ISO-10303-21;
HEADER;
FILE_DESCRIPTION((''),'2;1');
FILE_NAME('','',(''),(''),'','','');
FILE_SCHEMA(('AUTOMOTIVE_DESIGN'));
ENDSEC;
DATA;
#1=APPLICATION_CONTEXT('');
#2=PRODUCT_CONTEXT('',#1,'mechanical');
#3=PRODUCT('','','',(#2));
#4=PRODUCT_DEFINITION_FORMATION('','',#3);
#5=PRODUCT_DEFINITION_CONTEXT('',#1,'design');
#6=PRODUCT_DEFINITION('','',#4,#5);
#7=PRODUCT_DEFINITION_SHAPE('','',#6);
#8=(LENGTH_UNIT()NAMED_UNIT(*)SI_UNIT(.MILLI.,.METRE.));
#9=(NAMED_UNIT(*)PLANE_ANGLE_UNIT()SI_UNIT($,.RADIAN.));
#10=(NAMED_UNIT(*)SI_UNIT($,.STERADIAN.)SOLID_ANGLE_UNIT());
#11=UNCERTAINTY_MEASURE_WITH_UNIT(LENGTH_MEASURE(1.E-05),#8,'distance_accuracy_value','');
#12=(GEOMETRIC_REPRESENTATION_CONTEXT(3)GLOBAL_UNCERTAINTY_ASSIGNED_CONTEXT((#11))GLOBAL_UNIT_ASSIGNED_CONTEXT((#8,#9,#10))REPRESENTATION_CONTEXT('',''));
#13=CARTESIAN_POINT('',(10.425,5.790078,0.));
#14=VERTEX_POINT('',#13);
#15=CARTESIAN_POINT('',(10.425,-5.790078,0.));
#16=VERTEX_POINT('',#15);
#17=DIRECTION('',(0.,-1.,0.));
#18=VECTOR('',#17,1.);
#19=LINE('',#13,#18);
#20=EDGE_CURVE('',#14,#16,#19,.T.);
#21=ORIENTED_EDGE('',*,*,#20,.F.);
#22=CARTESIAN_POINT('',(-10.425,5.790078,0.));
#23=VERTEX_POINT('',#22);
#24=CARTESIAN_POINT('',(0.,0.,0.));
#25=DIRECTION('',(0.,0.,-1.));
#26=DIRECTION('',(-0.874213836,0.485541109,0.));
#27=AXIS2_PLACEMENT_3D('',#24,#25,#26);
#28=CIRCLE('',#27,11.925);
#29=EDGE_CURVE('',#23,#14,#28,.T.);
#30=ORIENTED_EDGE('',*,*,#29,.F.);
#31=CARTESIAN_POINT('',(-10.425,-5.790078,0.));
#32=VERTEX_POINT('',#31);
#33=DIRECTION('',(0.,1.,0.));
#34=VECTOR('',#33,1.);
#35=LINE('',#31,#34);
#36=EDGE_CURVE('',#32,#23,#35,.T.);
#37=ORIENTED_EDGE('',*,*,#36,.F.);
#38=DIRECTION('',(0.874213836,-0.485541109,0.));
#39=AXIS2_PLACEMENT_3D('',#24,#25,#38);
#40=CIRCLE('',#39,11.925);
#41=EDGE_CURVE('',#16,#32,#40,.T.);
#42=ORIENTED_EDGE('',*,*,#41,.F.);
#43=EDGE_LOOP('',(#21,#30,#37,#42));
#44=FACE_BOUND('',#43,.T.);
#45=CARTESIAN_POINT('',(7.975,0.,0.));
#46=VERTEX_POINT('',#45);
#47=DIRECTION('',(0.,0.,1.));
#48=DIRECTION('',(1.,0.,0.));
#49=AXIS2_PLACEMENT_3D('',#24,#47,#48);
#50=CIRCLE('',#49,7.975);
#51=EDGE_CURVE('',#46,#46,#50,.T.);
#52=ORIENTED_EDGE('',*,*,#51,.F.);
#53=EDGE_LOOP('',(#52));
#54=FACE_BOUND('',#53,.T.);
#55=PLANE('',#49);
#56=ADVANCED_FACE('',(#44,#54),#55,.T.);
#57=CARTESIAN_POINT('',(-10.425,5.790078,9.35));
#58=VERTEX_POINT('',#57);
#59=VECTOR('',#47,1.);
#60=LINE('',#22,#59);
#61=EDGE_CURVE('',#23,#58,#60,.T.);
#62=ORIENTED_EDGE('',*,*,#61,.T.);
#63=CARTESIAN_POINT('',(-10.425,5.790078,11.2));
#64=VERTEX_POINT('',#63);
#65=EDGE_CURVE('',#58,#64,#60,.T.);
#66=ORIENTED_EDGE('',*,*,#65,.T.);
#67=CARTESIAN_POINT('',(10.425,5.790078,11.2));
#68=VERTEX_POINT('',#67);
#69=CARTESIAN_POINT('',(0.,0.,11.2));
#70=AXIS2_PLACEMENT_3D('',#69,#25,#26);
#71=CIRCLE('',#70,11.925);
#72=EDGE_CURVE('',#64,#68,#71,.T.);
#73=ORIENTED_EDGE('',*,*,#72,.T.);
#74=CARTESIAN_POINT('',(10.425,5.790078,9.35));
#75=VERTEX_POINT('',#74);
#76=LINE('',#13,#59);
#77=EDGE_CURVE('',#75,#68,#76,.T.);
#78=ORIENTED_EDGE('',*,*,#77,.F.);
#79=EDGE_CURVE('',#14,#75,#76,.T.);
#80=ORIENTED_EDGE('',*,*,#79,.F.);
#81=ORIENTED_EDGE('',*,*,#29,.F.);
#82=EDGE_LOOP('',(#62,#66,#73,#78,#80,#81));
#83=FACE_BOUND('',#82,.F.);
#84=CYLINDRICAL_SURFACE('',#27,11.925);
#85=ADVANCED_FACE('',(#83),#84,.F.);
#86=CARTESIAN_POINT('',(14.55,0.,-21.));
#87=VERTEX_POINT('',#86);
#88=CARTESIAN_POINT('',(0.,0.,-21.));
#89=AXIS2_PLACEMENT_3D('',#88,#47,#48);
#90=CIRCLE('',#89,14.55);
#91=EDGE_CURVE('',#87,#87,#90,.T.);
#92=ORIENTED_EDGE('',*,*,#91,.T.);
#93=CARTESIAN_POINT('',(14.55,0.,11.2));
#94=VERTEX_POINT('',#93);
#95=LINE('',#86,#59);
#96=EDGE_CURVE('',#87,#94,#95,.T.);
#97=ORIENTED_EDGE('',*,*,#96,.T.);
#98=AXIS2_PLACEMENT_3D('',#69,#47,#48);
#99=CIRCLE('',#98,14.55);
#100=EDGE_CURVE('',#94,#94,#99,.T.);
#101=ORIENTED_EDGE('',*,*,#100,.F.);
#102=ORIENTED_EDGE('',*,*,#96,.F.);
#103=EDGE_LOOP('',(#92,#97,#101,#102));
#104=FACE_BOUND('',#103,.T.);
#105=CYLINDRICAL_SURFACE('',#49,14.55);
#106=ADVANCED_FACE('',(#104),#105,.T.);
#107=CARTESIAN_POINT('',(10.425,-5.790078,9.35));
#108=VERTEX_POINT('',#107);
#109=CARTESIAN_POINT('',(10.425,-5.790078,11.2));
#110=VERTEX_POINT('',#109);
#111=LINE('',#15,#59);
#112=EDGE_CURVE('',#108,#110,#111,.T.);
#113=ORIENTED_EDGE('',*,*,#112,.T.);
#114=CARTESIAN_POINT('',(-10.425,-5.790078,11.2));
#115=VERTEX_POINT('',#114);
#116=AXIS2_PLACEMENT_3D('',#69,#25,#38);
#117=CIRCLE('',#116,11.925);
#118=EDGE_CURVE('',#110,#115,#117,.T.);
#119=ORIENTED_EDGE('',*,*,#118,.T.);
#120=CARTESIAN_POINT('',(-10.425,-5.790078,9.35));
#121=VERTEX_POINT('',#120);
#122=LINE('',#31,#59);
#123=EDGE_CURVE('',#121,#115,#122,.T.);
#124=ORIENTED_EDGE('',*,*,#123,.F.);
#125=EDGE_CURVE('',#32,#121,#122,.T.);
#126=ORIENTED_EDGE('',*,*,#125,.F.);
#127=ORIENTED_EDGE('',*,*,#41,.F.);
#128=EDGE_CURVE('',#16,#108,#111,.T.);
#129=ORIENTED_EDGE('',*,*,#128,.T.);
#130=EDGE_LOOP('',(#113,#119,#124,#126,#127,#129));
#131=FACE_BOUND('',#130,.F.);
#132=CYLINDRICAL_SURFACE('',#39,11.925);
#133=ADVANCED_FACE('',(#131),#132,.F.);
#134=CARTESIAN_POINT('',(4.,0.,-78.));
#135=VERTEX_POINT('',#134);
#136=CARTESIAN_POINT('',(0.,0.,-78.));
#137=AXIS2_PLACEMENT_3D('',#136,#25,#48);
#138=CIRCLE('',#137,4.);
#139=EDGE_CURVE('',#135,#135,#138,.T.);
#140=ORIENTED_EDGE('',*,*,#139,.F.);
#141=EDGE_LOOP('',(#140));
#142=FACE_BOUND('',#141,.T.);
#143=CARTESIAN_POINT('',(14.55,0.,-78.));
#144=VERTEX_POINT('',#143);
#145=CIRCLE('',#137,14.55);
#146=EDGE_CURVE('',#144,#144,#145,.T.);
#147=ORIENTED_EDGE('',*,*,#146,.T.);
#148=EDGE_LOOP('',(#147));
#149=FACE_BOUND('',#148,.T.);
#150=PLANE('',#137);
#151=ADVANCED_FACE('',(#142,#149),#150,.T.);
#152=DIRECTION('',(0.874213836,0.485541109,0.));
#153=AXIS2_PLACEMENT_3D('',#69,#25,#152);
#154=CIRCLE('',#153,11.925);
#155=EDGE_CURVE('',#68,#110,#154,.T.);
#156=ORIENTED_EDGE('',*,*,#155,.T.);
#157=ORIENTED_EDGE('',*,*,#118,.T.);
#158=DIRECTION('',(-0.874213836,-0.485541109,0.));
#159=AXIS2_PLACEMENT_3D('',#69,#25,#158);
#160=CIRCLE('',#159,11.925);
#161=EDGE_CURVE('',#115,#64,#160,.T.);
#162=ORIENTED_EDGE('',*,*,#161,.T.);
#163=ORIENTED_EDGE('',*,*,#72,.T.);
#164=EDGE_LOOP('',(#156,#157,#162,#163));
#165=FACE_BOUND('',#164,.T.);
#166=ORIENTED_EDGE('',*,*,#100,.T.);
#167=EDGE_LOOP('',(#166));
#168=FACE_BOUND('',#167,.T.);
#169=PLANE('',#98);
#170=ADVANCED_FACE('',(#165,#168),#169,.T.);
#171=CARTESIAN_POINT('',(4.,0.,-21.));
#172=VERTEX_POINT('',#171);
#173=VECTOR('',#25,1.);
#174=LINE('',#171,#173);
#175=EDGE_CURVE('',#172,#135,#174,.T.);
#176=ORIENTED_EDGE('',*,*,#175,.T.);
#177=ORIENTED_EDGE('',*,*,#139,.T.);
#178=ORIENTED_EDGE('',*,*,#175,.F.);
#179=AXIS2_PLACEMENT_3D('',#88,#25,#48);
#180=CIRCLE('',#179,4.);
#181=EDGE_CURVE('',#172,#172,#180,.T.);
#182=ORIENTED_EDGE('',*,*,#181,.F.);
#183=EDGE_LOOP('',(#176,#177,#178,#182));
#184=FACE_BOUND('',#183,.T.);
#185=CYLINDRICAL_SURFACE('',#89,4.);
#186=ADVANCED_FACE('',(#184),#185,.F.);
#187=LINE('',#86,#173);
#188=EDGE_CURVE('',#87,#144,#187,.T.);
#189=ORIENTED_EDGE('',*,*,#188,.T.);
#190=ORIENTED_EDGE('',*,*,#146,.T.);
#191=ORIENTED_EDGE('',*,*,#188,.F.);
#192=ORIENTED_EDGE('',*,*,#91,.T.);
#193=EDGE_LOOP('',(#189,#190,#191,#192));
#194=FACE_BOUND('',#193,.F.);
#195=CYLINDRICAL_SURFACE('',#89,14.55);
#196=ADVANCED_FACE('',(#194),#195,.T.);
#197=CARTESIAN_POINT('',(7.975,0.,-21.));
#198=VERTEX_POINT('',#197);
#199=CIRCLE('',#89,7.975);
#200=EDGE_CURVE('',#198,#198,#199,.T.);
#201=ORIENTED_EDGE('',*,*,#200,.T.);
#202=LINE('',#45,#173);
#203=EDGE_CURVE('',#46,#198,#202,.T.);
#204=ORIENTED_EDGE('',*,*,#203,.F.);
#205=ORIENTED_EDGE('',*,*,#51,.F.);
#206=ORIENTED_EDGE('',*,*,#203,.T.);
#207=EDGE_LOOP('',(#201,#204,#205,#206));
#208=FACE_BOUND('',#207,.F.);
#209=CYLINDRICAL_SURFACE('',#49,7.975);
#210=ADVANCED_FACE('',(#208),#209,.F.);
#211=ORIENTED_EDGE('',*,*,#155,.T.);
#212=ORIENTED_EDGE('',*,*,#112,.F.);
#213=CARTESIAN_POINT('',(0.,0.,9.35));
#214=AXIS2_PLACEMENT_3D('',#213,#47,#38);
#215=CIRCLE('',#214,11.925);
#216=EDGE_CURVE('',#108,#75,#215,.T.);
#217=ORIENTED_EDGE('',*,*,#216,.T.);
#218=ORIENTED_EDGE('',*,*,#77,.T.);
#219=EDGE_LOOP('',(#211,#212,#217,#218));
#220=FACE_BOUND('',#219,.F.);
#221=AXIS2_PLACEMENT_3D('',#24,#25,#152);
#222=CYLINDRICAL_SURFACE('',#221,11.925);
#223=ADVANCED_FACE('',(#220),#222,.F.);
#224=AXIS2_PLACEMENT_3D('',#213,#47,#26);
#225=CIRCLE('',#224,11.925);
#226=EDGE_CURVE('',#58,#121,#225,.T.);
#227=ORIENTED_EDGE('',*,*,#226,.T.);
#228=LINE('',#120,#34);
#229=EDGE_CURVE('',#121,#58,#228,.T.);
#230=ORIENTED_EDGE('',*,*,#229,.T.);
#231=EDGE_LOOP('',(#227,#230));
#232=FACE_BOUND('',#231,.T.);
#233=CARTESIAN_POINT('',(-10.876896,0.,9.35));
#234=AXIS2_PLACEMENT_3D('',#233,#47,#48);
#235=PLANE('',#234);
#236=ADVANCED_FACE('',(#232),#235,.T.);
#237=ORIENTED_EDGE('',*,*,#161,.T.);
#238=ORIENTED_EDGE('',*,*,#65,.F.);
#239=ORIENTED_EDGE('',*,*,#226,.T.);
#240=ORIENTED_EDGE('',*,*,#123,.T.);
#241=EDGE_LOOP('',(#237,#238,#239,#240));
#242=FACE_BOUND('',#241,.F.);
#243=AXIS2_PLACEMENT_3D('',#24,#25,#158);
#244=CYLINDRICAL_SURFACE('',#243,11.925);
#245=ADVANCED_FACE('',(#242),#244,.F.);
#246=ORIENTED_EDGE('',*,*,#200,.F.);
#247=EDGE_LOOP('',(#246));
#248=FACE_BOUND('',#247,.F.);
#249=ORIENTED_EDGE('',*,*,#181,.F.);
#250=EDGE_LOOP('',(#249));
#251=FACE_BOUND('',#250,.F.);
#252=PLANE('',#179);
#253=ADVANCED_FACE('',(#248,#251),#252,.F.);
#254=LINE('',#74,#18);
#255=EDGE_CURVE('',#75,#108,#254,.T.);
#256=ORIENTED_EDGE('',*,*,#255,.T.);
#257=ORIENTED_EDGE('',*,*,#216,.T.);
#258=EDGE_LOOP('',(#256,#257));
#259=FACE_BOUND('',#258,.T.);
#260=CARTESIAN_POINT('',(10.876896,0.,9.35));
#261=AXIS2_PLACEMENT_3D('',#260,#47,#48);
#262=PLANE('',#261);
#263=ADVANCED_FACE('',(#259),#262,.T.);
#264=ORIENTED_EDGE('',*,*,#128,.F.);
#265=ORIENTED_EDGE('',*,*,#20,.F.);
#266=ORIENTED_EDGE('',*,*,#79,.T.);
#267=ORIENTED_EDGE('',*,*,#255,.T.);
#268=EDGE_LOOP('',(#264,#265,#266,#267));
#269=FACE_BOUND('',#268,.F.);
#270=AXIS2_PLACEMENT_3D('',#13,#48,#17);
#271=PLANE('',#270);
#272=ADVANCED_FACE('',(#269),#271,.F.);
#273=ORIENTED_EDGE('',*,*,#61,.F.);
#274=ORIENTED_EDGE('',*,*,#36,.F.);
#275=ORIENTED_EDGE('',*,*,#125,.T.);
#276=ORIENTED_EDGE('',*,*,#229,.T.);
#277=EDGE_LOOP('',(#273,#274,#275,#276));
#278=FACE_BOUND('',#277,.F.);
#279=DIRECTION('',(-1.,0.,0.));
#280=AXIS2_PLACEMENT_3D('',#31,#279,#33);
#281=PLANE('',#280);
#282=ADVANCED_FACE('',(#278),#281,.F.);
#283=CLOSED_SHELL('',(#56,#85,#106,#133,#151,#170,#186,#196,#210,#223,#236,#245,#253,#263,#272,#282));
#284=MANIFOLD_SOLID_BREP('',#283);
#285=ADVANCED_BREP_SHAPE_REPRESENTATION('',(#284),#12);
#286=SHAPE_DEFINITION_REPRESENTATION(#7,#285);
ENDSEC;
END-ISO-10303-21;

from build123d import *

# Parameters (mm, degrees)
F0_R     = 14.55
F1_DEPTH = 11.2
F2_DEPTH = 9.35
F0_R_2   = 7.975
F3_DEPTH = 21
F4_R     = 14.55
F4_R_2   = 4
F5_DEPTH = 57


with BuildPart() as f1:
    # F0 (on Top) → F1 (new body)
    with BuildSketch(Plane.XY):
        Circle(F0_R)
        with BuildLine():
            ThreePointArc((10.425, -5.7900777197), (0, -11.925), (-10.425, -5.7900777197))
            ThreePointArc((-10.425, -5.7900777197), (-11.925, 0), (-10.425, 5.7900777197))
            ThreePointArc((-10.425, 5.7900777197), (0, 11.925), (10.425, 5.7900777197))
            ThreePointArc((10.425, 5.7900777197), (11.925, 0), (10.425, -5.7900777197))
        make_face(mode=Mode.SUBTRACT)
    extrude(amount=F1_DEPTH)

    # F0 (on Top) → F2 (join)
    with BuildSketch(Plane.XY):
        with BuildLine():
            ThreePointArc((-10.425, 5.7900777197), (-11.925, 0), (-10.425, -5.7900777197))
            Line((-10.425, -5.7900777197), (-10.425, 5.7900777197))
        make_face()
        with BuildLine():
            Line((10.425, 5.7900777197), (10.425, -5.7900777197))
            ThreePointArc((10.425, -5.7900777197), (11.925, 0), (10.425, 5.7900777197))
        make_face()
    extrude(amount=F2_DEPTH)

    # F0 (on Top) → F3 (join)
    with BuildSketch(Plane.XY):
        Circle(F0_R)
        with BuildLine():
            ThreePointArc((10.425, -5.7900777197), (0, -11.925), (-10.425, -5.7900777197))
            ThreePointArc((-10.425, -5.7900777197), (-11.925, 0), (-10.425, 5.7900777197))
            ThreePointArc((-10.425, 5.7900777197), (0, 11.925), (10.425, 5.7900777197))
            ThreePointArc((10.425, 5.7900777197), (11.925, 0), (10.425, -5.7900777197))
        make_face(mode=Mode.SUBTRACT)
        with BuildLine():
            Line((-10.425, 5.7900777197), (-10.425, -5.7900777197))
            ThreePointArc((-10.425, -5.7900777197), (0, -11.925), (10.425, -5.7900777197))
            Line((10.425, -5.7900777197), (10.425, 5.7900777197))
            ThreePointArc((10.425, 5.7900777197), (0, 11.925), (-10.425, 5.7900777197))
        make_face()
        Circle(F0_R_2, mode=Mode.SUBTRACT)
        with BuildLine():
            Line((10.425, 5.7900777197), (10.425, -5.7900777197))
            ThreePointArc((10.425, -5.7900777197), (11.925, 0), (10.425, 5.7900777197))
        make_face()
        with BuildLine():
            ThreePointArc((-10.425, 5.7900777197), (-11.925, 0), (-10.425, -5.7900777197))
            Line((-10.425, -5.7900777197), (-10.425, 5.7900777197))
        make_face()
    extrude(amount=-F3_DEPTH)

    # F4 (on face) → F5 (join)
    with BuildSketch(Plane(origin=(0, 0, -21), x_dir=(1, 0, 0), z_dir=(0, 0, -1))):
        Circle(F4_R)
        Circle(F4_R_2, mode=Mode.SUBTRACT)
    extrude(amount=F5_DEPTH)


solid = f1.part
